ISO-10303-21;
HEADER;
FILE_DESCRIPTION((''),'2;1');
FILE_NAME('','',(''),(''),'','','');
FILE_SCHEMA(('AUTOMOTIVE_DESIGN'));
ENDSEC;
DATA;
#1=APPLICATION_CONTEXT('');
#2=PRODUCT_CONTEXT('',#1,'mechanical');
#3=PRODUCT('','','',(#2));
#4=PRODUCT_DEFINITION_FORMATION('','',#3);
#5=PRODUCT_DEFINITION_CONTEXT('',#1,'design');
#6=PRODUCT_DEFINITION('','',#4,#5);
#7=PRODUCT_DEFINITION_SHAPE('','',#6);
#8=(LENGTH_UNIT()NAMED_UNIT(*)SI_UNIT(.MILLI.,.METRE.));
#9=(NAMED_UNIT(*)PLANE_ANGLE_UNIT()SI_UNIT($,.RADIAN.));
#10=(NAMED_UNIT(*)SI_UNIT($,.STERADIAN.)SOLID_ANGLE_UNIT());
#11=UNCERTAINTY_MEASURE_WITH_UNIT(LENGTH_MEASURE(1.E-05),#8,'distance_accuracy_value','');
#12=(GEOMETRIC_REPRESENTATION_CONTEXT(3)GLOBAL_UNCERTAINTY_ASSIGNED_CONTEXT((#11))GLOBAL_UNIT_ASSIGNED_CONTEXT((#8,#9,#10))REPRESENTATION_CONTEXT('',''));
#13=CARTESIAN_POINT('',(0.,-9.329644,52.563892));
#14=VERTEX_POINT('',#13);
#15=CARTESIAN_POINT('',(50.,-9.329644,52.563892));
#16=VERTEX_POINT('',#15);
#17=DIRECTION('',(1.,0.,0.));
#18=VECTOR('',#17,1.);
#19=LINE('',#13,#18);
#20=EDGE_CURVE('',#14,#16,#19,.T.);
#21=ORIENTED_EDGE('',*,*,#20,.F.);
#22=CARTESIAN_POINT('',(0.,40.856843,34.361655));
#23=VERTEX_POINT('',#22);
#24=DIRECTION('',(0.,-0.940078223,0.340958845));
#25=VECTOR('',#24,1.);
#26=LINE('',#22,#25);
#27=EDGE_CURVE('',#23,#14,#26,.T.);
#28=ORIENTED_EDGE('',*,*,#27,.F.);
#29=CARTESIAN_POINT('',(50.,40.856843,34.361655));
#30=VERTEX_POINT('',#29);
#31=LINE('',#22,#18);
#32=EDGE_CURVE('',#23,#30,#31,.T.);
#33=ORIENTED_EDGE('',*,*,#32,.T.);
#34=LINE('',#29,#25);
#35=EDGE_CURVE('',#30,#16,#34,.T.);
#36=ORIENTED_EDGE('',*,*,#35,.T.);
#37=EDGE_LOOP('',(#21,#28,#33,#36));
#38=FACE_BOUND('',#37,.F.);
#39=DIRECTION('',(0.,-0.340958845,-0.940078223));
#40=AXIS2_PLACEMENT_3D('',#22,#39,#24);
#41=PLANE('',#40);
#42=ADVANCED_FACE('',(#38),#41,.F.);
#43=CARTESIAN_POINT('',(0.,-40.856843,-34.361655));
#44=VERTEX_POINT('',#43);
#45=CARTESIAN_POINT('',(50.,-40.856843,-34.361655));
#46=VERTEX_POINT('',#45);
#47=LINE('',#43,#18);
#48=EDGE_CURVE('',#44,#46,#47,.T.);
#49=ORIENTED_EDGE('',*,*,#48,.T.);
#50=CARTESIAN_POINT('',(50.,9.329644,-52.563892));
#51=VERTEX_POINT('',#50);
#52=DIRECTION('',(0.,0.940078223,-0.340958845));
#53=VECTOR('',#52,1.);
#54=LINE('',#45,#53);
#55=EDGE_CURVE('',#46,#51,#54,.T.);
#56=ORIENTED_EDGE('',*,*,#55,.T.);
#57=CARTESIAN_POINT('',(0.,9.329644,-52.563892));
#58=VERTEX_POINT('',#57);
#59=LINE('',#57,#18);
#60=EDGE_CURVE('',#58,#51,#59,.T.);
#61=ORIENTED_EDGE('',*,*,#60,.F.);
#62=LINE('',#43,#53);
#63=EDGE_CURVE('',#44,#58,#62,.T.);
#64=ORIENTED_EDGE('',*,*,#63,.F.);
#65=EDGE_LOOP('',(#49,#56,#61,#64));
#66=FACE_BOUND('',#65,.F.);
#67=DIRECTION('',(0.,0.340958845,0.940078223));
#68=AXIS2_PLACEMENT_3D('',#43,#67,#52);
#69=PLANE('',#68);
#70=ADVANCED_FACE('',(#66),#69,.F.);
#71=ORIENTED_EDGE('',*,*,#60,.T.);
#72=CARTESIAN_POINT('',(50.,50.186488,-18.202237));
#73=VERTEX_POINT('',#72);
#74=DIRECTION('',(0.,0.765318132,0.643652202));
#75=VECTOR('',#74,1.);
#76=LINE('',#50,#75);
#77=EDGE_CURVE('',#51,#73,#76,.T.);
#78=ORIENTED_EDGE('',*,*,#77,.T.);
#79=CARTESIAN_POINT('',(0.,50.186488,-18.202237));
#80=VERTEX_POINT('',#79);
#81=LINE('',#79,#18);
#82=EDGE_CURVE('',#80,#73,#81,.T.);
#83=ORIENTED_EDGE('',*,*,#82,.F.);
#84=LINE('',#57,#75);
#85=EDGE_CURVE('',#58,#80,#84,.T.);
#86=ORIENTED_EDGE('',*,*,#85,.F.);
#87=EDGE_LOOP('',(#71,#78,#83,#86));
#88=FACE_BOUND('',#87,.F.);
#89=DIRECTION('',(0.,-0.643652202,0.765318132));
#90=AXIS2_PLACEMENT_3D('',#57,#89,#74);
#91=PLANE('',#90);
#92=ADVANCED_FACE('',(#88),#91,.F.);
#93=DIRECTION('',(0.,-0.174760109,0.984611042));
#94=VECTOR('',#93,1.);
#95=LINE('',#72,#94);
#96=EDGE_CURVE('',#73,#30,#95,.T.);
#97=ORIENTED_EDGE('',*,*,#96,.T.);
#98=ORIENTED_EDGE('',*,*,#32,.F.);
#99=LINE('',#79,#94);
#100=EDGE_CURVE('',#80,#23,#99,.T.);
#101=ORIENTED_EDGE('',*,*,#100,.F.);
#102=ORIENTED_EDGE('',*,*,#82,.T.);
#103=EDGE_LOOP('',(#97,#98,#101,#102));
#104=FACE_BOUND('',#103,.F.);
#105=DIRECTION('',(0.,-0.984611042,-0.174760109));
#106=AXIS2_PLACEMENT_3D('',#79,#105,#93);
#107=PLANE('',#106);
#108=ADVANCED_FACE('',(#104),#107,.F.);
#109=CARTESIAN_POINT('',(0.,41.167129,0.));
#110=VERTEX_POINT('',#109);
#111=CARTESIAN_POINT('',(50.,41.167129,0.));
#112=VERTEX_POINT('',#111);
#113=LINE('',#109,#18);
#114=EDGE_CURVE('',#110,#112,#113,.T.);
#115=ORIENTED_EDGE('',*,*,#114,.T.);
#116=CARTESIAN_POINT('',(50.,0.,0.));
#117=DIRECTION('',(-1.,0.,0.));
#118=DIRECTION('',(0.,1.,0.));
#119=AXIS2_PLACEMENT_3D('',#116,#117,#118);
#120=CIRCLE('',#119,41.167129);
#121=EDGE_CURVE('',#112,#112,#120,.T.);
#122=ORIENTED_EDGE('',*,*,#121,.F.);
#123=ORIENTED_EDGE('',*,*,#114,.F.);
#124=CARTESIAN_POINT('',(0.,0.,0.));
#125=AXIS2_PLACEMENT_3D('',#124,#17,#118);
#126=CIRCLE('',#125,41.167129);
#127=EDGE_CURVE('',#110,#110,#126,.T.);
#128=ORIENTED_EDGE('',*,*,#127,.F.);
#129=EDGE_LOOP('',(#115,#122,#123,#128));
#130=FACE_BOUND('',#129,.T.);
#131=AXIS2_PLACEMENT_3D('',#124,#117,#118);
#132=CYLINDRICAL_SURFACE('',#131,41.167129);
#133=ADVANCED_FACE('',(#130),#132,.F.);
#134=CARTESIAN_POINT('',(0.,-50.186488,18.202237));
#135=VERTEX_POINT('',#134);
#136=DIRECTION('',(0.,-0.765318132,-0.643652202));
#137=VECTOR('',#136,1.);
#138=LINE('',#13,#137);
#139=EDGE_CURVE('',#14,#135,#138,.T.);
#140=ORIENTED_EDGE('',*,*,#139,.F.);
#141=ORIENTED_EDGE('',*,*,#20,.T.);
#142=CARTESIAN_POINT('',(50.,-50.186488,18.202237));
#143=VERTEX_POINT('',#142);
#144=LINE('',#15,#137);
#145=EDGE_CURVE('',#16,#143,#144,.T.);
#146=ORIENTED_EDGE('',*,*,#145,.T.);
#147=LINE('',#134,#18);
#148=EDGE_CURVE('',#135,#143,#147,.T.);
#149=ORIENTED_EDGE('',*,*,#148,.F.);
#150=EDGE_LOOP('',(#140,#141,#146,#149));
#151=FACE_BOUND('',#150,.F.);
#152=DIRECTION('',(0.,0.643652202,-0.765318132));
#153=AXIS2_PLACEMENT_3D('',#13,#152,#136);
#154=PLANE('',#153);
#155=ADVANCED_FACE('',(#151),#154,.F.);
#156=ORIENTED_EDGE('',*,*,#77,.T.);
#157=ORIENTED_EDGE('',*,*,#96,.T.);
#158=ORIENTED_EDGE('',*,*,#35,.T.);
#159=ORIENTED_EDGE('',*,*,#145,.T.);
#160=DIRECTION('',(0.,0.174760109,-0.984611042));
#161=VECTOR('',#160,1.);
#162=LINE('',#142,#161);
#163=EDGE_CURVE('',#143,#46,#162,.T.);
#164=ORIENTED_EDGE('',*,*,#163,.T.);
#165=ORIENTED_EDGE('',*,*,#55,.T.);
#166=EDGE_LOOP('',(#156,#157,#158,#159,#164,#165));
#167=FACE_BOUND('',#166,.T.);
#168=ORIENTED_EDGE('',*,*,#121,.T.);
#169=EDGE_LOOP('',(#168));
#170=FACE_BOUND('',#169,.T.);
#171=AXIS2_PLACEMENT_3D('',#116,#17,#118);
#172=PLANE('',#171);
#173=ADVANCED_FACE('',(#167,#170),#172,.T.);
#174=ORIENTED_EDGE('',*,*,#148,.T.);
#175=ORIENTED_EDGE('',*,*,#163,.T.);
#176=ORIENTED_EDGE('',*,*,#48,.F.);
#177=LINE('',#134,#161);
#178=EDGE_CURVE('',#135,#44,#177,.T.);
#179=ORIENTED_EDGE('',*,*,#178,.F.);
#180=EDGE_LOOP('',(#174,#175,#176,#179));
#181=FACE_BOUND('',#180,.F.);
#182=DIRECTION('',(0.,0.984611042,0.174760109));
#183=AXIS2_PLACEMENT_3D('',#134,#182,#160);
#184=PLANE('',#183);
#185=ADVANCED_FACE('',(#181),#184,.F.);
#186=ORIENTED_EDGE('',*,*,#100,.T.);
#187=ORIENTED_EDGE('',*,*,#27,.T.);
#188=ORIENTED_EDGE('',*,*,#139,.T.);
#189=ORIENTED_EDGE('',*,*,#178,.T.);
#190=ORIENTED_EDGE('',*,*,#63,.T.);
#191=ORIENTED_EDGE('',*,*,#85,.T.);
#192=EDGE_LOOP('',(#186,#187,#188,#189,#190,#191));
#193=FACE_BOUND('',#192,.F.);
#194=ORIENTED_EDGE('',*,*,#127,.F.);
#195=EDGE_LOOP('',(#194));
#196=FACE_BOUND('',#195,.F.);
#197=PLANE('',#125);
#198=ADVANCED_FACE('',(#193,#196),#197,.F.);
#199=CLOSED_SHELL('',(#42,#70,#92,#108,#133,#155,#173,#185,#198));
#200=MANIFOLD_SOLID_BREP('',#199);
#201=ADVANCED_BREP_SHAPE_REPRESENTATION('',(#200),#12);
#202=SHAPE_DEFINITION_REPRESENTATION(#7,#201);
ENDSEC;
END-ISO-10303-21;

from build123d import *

# Parameters (mm, degrees)
F1_DEPTH = 50
F2_R     = 41.167129
F3_DEPTH = 50.001


with BuildPart() as f1:
    # F0 (on Right) → F1 (new body)
    with BuildSketch(Plane.YZ):
        Polygon((-9.329644, 52.563892), (-50.186488, 18.202237), (-40.856843, -34.361655), (9.329644, -52.563892), (50.186488, -18.202237), (40.856843, 34.361655), align=None)
    extrude(amount=F1_DEPTH)

    # F2 (on Right) → F3 (cut, through all)
    with BuildSketch(Plane.YZ):
        Circle(F2_R)
    extrude(amount=F3_DEPTH, mode=Mode.SUBTRACT)


solid = f1.part
